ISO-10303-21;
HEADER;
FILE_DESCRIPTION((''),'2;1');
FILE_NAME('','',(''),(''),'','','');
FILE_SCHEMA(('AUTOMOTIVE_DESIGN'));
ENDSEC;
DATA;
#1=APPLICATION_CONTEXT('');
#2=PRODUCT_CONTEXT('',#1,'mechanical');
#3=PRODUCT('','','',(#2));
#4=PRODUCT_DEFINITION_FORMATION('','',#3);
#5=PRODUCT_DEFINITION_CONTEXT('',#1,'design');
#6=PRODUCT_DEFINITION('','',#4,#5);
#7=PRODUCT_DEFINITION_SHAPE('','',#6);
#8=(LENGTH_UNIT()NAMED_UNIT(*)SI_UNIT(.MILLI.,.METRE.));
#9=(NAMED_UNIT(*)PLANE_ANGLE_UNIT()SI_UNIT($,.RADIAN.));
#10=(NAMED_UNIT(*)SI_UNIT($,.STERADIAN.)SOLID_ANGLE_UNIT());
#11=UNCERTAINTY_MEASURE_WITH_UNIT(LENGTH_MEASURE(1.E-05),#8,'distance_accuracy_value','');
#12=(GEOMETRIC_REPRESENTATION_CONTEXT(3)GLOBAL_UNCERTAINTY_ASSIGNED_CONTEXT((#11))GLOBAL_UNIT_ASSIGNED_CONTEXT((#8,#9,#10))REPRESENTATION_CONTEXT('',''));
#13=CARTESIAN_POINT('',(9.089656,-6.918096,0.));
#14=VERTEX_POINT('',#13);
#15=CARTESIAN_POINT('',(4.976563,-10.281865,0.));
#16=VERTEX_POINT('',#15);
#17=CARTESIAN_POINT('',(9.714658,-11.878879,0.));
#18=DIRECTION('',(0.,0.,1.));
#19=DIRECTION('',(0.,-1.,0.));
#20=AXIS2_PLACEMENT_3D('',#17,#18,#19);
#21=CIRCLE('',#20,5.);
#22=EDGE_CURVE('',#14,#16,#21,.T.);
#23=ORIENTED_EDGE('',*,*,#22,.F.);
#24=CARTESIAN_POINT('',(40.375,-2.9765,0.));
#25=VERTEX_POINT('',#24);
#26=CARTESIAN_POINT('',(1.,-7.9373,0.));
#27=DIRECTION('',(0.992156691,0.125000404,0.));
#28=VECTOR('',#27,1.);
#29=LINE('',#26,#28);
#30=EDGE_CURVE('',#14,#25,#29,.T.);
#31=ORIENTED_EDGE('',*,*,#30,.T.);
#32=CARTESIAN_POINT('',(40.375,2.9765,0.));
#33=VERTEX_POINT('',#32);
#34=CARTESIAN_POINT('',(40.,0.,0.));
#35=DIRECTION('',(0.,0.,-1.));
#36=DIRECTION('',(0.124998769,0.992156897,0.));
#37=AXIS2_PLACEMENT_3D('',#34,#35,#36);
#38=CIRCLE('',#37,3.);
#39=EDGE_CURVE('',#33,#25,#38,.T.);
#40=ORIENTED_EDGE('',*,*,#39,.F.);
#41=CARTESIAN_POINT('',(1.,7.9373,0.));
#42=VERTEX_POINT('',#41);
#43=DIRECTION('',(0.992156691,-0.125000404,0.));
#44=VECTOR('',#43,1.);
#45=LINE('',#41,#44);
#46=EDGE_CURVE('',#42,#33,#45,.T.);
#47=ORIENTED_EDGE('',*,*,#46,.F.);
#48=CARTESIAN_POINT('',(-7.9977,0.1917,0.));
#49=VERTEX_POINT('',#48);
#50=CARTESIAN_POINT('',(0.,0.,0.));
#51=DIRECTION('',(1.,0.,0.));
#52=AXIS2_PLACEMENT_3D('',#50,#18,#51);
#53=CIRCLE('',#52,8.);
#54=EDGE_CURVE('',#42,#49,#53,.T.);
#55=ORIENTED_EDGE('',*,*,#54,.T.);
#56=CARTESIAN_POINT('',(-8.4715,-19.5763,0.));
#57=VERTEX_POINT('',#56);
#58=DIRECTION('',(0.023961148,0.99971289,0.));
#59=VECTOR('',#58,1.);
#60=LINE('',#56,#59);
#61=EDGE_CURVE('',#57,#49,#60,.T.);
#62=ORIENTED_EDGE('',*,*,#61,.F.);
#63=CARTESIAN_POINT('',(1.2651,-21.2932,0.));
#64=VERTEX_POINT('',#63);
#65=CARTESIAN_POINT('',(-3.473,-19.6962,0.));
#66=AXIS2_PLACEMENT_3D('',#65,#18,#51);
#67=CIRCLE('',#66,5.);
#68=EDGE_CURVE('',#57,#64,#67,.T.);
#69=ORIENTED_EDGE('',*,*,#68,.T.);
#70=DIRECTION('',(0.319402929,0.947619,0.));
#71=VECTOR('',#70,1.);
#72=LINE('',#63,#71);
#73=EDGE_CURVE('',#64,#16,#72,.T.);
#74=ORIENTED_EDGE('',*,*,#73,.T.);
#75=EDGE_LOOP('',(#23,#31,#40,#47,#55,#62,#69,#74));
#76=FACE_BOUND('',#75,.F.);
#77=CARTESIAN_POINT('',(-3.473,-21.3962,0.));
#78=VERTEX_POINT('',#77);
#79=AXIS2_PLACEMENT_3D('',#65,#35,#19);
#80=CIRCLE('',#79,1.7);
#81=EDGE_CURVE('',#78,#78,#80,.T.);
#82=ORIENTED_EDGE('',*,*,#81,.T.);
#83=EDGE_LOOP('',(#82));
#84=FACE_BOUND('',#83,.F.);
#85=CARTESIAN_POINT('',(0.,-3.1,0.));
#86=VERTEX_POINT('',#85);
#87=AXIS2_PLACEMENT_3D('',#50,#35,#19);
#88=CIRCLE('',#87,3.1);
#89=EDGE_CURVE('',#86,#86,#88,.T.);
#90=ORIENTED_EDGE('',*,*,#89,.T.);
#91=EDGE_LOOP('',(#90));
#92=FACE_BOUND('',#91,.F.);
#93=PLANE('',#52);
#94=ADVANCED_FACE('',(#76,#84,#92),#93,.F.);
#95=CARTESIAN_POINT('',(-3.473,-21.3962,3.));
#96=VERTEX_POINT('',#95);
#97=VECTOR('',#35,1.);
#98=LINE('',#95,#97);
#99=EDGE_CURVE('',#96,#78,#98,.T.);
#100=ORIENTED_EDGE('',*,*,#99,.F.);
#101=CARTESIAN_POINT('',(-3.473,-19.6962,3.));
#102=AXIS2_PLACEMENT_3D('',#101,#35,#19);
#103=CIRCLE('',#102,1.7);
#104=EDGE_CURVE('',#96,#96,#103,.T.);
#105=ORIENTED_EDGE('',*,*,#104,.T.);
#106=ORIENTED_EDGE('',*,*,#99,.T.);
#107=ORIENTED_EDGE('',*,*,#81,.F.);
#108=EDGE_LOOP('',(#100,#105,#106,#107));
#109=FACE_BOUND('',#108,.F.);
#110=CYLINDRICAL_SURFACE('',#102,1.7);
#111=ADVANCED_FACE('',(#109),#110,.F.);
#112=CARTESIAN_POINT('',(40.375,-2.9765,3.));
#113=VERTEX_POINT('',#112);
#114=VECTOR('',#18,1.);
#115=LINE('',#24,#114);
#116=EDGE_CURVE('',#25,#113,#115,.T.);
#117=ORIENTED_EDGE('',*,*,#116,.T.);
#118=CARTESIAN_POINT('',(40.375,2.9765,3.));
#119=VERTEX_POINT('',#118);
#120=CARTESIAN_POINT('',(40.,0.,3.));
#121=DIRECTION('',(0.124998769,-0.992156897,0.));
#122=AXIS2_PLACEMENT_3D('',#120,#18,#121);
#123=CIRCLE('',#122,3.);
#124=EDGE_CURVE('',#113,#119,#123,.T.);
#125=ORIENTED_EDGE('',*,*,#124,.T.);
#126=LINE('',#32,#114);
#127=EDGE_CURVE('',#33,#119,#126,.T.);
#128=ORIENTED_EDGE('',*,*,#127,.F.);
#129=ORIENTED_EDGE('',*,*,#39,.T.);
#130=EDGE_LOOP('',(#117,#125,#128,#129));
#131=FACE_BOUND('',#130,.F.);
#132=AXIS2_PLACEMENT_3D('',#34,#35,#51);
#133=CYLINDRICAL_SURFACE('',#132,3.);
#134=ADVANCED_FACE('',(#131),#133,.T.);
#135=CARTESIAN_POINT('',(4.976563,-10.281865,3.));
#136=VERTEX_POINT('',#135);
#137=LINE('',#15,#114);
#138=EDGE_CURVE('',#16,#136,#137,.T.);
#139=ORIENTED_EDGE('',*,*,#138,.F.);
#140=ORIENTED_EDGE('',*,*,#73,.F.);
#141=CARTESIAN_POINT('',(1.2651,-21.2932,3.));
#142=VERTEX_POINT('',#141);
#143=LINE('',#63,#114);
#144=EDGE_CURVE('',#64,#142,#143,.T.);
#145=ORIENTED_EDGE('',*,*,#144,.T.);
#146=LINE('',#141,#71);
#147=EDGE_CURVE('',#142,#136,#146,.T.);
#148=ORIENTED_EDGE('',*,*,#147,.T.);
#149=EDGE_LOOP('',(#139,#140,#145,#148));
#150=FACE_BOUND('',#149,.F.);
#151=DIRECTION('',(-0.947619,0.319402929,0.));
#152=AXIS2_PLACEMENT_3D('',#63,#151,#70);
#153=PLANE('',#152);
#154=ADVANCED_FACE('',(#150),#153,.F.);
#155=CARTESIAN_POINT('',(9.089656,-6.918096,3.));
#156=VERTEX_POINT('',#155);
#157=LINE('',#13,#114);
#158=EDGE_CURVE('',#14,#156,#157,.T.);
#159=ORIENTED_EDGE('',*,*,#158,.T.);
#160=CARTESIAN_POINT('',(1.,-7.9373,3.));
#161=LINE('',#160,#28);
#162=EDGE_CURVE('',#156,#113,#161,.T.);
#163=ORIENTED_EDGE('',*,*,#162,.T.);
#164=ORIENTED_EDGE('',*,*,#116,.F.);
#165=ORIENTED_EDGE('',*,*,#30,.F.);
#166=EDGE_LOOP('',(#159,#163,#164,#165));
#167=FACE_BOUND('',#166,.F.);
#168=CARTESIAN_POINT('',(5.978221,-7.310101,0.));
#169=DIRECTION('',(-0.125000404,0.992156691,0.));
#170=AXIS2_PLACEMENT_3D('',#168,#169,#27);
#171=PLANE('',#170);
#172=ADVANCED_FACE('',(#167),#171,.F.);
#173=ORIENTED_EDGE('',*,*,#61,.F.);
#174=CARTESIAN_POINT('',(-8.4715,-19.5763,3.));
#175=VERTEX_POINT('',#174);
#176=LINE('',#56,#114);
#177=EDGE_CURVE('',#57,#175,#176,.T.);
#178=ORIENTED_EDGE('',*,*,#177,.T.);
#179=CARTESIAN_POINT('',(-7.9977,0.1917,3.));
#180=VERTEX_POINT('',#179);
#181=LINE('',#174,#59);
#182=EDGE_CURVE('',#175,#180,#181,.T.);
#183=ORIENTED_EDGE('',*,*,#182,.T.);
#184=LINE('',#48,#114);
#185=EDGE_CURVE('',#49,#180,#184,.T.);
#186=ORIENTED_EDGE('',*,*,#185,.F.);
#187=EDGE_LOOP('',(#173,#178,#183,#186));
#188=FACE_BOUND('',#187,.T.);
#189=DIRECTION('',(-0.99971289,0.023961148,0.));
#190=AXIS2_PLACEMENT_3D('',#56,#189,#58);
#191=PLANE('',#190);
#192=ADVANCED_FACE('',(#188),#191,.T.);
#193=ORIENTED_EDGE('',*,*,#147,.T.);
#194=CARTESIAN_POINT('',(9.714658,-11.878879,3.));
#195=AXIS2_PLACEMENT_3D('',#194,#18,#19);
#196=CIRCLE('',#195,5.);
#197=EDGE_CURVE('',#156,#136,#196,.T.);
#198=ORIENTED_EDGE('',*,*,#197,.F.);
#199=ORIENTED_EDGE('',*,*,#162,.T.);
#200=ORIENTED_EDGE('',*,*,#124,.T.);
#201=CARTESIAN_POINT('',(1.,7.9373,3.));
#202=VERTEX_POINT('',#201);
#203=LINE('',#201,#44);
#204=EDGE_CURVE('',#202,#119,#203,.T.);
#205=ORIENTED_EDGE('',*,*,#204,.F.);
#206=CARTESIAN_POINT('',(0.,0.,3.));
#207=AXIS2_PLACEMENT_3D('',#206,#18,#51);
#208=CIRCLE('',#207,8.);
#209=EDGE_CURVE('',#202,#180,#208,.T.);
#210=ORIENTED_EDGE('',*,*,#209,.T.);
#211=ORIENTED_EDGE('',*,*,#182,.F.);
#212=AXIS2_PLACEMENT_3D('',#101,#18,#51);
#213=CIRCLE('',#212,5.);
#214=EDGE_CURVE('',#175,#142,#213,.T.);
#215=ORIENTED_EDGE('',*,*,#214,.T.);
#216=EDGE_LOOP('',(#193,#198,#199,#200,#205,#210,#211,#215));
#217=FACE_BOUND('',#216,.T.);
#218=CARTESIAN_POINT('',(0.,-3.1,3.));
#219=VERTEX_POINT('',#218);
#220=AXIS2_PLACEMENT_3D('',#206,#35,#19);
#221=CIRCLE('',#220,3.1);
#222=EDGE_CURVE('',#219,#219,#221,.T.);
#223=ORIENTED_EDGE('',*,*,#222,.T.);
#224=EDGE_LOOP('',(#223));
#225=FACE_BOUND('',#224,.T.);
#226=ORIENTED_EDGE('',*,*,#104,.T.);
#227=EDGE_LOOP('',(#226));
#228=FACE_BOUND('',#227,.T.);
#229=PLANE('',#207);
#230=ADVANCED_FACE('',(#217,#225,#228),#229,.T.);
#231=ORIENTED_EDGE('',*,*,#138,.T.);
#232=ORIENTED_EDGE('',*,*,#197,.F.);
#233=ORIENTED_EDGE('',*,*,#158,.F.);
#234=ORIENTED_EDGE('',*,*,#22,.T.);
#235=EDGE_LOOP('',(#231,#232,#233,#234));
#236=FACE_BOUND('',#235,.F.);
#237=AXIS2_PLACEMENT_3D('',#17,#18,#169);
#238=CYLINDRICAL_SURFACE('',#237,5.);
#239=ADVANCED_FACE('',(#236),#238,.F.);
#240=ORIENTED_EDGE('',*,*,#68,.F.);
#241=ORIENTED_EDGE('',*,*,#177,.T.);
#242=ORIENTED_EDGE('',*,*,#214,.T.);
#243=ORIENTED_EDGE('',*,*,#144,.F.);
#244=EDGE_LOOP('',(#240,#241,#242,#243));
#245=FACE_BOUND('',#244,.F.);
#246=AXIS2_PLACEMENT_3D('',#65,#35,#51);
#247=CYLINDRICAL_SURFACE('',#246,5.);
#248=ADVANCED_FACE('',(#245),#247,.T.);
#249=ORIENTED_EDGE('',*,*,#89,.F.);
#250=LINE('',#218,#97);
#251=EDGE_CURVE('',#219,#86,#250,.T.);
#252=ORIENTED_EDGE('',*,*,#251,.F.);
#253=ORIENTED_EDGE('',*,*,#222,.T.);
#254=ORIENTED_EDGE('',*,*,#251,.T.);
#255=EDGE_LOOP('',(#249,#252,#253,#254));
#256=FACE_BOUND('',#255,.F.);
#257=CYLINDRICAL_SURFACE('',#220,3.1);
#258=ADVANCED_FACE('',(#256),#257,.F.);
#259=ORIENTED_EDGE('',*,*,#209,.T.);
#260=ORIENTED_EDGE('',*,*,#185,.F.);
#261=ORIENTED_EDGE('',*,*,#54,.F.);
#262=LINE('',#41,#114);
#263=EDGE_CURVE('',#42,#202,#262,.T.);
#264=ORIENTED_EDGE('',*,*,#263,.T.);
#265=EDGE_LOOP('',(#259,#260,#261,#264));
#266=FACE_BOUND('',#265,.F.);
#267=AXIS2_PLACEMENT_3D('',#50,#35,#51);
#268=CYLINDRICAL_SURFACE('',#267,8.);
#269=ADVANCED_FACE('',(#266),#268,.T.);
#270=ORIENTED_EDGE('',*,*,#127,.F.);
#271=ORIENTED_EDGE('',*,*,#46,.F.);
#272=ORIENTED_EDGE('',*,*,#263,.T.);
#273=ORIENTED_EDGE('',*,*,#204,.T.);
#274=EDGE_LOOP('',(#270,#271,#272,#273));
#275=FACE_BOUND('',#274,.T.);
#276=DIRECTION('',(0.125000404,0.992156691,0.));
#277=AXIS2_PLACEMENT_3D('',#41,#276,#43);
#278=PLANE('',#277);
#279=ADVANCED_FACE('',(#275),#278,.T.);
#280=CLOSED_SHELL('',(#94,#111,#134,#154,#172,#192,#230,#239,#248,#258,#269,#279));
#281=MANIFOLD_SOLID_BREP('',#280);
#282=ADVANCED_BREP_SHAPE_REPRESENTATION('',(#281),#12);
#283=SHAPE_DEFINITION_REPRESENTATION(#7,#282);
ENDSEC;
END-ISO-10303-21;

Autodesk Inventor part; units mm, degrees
ref_plane "YZ Plane" through (0, 0, 0) normal (1, 0, 0) x (0, 1, 0)
ref_plane "XZ Plane" through (0, 0, 0) normal (0, 1, 0) x (-1, 0, 0)
ref_plane "XY Plane" through (0, 0, 0) normal (0, 0, 1) x (1, 0, 0)
sketch "Sketch1" plane through (0, 0, 0) normal (0, 0, 1) x (1, 0, 0)
  circle A0 centre (0, 0) radius 8
  line L0 (1, 7.9373) -> (40.375, 2.9765)
  line L1 (1, -7.9373) -> (40.375, -2.9765)
  line L2 (0, 0) -> (40, 0) construction
  circle A1 centre (40, 0) radius 3
  circle A2 centre (-3.473, -19.6962) radius 5
  line L3 (1.2651, -21.2932) -> (7.5809, -2.5552)
  line L4 (-8.4715, -19.5763) -> (-7.9977, 0.1917)
  line L5 (0, 0) -> (-3.473, -19.6962) construction
  dimension "d0" = 16
  dimension "d1" = 6
  dimension "d2" = 40
  dimension "d3" = 10
  dimension "d4" = 20
  dimension "d5" = 100
extrude "Extrusion1" add sketch "Sketch1" along normal blind 3
fillet "Fillet1" radius 5 1 edges at (5.9783, -7.31, 1.5)
sketch "Sketch2" plane through (0, 0, 3) normal (0, 0, 1) x (1, 0, 0)
  point P0 (0, 0)
  point P1 (0, 0)
hole "Hole1" at (0, 0, 3) direction (0, 0, -1) diameter 6.2 end through all
sketch "Sketch3" plane through (0, 0, 3) normal (0, 0, 1) x (1, 0, 0)
  arc A0 (-8.4715, -19.5763) -> (1.2651, -21.2932) centre (-3.473, -19.6962) ccw projected
  point P0 (0, 0)
hole "Hole2" at (-3.473, -19.6962, 3) direction (0, 0, -1) diameter 3.4 end through all clearance for "Socket Head Cap Screw" size "M3" standard "Ansi Metric M Profile"
properties part number "Pancake_Lever" material "Nylon 6/6"
